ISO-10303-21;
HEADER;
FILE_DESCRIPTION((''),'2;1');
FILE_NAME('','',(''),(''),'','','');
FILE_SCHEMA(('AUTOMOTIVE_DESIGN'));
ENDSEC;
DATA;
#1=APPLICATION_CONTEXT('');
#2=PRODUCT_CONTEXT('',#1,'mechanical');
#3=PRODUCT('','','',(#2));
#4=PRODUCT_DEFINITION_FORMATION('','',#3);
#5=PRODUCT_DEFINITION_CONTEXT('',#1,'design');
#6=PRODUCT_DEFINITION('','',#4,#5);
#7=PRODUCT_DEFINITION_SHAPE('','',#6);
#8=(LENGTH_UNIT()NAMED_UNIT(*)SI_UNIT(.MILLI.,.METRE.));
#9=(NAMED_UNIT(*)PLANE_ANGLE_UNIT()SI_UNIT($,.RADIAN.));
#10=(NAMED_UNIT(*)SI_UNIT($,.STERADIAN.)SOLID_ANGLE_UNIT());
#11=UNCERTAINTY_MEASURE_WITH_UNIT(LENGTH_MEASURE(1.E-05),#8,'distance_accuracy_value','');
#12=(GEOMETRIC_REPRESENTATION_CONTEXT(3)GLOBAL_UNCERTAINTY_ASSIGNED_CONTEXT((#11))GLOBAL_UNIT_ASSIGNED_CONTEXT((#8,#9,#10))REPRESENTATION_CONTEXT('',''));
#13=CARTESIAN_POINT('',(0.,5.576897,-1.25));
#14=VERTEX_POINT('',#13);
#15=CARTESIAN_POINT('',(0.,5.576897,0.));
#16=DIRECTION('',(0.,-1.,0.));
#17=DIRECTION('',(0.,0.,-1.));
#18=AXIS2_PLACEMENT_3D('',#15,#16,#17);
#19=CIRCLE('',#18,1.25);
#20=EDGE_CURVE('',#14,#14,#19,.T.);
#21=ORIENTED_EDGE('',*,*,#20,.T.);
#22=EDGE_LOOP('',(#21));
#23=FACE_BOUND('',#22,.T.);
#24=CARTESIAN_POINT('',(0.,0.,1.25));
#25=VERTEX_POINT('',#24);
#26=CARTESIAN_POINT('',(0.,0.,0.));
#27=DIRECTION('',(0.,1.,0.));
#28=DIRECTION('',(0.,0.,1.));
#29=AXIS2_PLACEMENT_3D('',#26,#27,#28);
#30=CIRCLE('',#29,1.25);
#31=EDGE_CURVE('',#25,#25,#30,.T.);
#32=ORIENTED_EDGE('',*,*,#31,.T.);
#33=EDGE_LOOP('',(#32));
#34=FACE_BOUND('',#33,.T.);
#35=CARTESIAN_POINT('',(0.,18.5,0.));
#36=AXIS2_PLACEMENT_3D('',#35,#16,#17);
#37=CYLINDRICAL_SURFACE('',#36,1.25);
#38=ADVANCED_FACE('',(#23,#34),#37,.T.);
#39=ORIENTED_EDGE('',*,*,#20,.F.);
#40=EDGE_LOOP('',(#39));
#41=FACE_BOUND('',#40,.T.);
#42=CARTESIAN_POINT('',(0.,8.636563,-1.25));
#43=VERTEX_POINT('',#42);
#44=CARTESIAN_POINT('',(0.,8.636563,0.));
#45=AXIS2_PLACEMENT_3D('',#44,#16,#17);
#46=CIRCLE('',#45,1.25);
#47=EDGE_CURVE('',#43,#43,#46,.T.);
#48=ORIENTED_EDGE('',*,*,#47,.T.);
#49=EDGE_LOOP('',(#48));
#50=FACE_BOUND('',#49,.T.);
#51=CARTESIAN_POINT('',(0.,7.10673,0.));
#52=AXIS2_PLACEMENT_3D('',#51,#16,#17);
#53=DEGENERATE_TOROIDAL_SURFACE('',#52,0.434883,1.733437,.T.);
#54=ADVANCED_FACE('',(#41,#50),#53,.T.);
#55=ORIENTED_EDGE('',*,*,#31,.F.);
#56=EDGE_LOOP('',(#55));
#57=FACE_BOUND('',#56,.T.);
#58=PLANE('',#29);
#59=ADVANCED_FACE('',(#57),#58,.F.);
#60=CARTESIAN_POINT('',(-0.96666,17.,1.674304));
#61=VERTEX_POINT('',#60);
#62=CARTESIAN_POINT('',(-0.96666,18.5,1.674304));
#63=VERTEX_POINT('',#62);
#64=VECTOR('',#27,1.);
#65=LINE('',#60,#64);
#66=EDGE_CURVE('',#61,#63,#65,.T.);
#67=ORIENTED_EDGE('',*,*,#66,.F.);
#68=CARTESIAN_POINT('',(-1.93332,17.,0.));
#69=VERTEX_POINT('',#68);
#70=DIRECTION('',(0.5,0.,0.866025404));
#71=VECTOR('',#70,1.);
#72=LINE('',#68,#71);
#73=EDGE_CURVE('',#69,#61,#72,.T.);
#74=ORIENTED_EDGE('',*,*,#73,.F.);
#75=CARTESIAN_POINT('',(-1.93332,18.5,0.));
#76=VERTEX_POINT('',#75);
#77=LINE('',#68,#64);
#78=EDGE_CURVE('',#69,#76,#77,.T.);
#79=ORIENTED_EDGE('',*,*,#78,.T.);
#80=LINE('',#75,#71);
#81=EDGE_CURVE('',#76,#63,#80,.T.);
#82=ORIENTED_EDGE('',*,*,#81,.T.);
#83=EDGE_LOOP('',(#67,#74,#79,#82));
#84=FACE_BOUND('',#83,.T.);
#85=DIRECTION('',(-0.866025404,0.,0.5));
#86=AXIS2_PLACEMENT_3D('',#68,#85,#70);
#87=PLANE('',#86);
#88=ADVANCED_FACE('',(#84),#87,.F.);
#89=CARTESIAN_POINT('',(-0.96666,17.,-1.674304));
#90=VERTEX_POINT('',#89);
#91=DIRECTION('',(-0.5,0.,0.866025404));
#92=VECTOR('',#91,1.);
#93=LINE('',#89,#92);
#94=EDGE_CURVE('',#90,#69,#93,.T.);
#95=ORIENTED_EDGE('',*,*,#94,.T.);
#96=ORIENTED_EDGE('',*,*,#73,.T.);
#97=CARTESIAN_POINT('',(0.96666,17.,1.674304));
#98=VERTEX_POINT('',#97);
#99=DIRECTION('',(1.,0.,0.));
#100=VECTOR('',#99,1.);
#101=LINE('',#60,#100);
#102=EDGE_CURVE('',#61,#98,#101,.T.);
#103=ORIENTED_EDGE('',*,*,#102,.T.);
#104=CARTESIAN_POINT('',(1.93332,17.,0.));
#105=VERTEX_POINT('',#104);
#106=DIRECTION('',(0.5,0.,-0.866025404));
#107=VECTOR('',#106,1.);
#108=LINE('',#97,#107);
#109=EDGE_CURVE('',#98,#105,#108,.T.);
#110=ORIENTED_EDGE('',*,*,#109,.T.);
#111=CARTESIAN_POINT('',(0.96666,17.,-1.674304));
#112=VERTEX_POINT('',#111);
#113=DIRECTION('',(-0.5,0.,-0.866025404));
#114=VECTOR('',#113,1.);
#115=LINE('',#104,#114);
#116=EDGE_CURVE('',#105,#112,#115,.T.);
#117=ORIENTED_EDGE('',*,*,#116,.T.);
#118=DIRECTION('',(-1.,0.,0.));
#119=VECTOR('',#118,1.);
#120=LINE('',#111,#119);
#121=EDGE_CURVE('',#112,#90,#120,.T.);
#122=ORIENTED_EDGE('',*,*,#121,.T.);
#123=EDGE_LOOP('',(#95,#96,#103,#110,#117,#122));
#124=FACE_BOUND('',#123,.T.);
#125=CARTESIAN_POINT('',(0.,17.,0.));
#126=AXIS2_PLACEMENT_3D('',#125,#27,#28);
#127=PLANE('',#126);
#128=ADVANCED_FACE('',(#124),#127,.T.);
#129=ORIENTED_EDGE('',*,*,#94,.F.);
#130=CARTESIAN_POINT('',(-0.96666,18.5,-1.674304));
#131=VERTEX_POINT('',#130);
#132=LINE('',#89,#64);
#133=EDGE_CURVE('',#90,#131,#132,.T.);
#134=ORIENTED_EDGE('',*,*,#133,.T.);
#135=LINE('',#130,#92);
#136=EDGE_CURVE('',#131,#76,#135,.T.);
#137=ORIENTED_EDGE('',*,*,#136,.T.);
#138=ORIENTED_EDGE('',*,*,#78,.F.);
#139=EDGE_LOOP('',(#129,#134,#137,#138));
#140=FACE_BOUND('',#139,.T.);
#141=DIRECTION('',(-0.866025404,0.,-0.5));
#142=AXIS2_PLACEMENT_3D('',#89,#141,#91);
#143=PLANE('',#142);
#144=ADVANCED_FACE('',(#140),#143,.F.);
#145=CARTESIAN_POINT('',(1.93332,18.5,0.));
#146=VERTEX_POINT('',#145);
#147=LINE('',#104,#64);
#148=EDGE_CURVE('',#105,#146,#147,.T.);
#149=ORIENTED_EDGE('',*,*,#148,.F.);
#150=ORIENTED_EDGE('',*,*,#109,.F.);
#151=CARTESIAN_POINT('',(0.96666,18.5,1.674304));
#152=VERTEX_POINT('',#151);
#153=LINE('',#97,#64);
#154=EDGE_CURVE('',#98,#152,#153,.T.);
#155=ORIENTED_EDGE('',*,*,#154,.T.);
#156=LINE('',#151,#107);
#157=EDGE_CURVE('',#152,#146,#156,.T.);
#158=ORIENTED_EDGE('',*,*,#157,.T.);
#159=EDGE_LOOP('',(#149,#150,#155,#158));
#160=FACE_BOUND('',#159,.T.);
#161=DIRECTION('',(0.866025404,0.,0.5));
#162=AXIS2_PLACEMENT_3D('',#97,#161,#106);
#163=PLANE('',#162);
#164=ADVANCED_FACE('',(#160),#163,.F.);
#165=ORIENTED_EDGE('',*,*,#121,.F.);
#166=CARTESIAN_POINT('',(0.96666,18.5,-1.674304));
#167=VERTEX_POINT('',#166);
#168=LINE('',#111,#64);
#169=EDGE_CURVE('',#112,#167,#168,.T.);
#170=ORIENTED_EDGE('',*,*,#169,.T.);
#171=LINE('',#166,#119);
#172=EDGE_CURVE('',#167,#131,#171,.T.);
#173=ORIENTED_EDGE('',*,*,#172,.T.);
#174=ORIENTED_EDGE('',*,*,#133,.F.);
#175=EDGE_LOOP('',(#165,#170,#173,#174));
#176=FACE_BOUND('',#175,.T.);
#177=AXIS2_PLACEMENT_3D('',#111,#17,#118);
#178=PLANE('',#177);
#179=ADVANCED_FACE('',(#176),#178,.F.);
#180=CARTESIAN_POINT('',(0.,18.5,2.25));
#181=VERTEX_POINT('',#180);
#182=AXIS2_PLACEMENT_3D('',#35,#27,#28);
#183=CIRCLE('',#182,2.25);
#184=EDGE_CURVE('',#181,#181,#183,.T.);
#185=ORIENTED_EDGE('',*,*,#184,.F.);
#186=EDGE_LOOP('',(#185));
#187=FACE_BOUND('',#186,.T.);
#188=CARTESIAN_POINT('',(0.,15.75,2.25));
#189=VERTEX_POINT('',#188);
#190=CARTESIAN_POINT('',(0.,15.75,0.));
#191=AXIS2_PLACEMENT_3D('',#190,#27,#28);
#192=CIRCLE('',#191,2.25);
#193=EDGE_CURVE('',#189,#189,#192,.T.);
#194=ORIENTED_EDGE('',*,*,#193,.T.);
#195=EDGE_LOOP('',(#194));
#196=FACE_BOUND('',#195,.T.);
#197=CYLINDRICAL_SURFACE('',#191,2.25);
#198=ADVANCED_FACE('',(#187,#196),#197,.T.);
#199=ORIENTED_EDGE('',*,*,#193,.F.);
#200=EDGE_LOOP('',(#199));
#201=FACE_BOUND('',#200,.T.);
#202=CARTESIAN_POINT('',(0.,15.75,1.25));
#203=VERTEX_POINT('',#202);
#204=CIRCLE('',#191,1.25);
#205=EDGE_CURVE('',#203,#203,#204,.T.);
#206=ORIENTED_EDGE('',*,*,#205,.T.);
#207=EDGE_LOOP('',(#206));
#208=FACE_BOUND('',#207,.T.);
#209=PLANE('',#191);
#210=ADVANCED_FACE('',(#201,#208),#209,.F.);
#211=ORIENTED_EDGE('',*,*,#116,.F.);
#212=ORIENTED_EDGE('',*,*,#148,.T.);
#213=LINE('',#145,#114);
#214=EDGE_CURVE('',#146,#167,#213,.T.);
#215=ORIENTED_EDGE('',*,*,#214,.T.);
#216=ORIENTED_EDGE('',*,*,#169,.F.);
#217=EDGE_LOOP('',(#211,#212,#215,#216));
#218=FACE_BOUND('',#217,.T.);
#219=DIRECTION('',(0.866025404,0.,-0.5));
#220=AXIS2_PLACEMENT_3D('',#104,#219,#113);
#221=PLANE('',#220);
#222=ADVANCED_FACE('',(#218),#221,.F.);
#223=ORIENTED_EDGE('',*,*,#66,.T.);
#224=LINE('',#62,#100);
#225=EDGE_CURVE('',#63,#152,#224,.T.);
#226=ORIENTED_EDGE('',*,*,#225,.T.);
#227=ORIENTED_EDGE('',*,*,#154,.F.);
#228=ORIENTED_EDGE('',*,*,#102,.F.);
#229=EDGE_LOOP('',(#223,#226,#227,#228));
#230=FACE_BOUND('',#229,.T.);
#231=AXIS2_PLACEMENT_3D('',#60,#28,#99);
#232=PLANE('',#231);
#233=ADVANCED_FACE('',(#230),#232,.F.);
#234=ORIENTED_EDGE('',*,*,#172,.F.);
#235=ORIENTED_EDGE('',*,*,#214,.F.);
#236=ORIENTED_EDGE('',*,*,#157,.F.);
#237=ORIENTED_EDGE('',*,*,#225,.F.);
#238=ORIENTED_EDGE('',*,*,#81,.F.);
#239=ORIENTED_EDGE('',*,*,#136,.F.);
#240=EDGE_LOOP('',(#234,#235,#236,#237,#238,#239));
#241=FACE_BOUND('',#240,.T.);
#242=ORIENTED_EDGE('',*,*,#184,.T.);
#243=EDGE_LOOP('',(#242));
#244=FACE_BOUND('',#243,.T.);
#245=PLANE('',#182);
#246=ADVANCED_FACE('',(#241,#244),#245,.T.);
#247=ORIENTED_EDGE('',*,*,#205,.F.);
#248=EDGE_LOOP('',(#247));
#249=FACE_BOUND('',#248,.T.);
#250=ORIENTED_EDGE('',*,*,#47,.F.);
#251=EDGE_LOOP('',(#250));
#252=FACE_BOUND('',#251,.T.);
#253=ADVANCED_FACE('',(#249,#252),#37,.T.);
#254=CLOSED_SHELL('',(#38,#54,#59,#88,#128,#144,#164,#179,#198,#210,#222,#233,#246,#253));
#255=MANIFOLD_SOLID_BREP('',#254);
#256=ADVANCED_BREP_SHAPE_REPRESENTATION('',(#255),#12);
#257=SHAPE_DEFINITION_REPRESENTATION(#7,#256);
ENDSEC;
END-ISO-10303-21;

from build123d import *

# Parameters (mm, degrees)
SKETCH1_R           = 1.25
BOSS_EXTRUDE1_DEPTH = 18.5
SKETCH2_R           = 2.25
BOSS_EXTRUDE2_DEPTH = 2.75
CUT_EXTRUDE1_DEPTH  = 1.5


with BuildPart() as part:
    # Sketch1 → Boss-Extrude1 (new body)
    with BuildSketch(Plane(origin=(0, 0, 0), x_dir=(1, 0, 0), z_dir=(0, 1, 0))):
        with Locations(Location((0, 0, 0), (0, 0, 270))):
            Circle(SKETCH1_R)
    extrude(amount=BOSS_EXTRUDE1_DEPTH)

    # Sketch2 → Boss-Extrude2 (add)
    with BuildSketch(Plane(origin=(0, 18.5, 0), x_dir=(1, 0, 0), z_dir=(0, 1, 0))):
        with Locations(Location((0, 0, 0), (0, 0, 270))):
            Circle(SKETCH2_R)
    extrude(amount=-BOSS_EXTRUDE2_DEPTH)

    # Sketch4 → Revolve1 (revolve)
    with BuildSketch(Plane.XY, mode=Mode.PRIVATE) as revolve1_sk:
        with BuildLine():
            Line((1.25, 8.636562631), (1.25, 5.576897201))
            ThreePointArc((1.25, 5.576897201), (2.168320153, 7.106729916), (1.25, 8.636562631))
        make_face()
    revolve(revolve1_sk.sketch.rotate(Axis((0, 0, 0), (0, 1, 0)), 90), axis=Axis((0, 0, 0), (0, 1, 0)))

    # Sketch5 → Cut-Extrude1 (cut)
    with BuildSketch(Plane(origin=(0, 18.5, 0), x_dir=(1, 0, 0), z_dir=(0, 1, 0))):
        Polygon((0.966659902, 1.674304064), (-0.966659902, 1.674304064), (-1.933319804, 0), (-0.966659902, -1.674304064), (0.966659902, -1.674304064), (1.933319804, 0), align=None)
    extrude(amount=-CUT_EXTRUDE1_DEPTH, mode=Mode.SUBTRACT)


solid = part.part
